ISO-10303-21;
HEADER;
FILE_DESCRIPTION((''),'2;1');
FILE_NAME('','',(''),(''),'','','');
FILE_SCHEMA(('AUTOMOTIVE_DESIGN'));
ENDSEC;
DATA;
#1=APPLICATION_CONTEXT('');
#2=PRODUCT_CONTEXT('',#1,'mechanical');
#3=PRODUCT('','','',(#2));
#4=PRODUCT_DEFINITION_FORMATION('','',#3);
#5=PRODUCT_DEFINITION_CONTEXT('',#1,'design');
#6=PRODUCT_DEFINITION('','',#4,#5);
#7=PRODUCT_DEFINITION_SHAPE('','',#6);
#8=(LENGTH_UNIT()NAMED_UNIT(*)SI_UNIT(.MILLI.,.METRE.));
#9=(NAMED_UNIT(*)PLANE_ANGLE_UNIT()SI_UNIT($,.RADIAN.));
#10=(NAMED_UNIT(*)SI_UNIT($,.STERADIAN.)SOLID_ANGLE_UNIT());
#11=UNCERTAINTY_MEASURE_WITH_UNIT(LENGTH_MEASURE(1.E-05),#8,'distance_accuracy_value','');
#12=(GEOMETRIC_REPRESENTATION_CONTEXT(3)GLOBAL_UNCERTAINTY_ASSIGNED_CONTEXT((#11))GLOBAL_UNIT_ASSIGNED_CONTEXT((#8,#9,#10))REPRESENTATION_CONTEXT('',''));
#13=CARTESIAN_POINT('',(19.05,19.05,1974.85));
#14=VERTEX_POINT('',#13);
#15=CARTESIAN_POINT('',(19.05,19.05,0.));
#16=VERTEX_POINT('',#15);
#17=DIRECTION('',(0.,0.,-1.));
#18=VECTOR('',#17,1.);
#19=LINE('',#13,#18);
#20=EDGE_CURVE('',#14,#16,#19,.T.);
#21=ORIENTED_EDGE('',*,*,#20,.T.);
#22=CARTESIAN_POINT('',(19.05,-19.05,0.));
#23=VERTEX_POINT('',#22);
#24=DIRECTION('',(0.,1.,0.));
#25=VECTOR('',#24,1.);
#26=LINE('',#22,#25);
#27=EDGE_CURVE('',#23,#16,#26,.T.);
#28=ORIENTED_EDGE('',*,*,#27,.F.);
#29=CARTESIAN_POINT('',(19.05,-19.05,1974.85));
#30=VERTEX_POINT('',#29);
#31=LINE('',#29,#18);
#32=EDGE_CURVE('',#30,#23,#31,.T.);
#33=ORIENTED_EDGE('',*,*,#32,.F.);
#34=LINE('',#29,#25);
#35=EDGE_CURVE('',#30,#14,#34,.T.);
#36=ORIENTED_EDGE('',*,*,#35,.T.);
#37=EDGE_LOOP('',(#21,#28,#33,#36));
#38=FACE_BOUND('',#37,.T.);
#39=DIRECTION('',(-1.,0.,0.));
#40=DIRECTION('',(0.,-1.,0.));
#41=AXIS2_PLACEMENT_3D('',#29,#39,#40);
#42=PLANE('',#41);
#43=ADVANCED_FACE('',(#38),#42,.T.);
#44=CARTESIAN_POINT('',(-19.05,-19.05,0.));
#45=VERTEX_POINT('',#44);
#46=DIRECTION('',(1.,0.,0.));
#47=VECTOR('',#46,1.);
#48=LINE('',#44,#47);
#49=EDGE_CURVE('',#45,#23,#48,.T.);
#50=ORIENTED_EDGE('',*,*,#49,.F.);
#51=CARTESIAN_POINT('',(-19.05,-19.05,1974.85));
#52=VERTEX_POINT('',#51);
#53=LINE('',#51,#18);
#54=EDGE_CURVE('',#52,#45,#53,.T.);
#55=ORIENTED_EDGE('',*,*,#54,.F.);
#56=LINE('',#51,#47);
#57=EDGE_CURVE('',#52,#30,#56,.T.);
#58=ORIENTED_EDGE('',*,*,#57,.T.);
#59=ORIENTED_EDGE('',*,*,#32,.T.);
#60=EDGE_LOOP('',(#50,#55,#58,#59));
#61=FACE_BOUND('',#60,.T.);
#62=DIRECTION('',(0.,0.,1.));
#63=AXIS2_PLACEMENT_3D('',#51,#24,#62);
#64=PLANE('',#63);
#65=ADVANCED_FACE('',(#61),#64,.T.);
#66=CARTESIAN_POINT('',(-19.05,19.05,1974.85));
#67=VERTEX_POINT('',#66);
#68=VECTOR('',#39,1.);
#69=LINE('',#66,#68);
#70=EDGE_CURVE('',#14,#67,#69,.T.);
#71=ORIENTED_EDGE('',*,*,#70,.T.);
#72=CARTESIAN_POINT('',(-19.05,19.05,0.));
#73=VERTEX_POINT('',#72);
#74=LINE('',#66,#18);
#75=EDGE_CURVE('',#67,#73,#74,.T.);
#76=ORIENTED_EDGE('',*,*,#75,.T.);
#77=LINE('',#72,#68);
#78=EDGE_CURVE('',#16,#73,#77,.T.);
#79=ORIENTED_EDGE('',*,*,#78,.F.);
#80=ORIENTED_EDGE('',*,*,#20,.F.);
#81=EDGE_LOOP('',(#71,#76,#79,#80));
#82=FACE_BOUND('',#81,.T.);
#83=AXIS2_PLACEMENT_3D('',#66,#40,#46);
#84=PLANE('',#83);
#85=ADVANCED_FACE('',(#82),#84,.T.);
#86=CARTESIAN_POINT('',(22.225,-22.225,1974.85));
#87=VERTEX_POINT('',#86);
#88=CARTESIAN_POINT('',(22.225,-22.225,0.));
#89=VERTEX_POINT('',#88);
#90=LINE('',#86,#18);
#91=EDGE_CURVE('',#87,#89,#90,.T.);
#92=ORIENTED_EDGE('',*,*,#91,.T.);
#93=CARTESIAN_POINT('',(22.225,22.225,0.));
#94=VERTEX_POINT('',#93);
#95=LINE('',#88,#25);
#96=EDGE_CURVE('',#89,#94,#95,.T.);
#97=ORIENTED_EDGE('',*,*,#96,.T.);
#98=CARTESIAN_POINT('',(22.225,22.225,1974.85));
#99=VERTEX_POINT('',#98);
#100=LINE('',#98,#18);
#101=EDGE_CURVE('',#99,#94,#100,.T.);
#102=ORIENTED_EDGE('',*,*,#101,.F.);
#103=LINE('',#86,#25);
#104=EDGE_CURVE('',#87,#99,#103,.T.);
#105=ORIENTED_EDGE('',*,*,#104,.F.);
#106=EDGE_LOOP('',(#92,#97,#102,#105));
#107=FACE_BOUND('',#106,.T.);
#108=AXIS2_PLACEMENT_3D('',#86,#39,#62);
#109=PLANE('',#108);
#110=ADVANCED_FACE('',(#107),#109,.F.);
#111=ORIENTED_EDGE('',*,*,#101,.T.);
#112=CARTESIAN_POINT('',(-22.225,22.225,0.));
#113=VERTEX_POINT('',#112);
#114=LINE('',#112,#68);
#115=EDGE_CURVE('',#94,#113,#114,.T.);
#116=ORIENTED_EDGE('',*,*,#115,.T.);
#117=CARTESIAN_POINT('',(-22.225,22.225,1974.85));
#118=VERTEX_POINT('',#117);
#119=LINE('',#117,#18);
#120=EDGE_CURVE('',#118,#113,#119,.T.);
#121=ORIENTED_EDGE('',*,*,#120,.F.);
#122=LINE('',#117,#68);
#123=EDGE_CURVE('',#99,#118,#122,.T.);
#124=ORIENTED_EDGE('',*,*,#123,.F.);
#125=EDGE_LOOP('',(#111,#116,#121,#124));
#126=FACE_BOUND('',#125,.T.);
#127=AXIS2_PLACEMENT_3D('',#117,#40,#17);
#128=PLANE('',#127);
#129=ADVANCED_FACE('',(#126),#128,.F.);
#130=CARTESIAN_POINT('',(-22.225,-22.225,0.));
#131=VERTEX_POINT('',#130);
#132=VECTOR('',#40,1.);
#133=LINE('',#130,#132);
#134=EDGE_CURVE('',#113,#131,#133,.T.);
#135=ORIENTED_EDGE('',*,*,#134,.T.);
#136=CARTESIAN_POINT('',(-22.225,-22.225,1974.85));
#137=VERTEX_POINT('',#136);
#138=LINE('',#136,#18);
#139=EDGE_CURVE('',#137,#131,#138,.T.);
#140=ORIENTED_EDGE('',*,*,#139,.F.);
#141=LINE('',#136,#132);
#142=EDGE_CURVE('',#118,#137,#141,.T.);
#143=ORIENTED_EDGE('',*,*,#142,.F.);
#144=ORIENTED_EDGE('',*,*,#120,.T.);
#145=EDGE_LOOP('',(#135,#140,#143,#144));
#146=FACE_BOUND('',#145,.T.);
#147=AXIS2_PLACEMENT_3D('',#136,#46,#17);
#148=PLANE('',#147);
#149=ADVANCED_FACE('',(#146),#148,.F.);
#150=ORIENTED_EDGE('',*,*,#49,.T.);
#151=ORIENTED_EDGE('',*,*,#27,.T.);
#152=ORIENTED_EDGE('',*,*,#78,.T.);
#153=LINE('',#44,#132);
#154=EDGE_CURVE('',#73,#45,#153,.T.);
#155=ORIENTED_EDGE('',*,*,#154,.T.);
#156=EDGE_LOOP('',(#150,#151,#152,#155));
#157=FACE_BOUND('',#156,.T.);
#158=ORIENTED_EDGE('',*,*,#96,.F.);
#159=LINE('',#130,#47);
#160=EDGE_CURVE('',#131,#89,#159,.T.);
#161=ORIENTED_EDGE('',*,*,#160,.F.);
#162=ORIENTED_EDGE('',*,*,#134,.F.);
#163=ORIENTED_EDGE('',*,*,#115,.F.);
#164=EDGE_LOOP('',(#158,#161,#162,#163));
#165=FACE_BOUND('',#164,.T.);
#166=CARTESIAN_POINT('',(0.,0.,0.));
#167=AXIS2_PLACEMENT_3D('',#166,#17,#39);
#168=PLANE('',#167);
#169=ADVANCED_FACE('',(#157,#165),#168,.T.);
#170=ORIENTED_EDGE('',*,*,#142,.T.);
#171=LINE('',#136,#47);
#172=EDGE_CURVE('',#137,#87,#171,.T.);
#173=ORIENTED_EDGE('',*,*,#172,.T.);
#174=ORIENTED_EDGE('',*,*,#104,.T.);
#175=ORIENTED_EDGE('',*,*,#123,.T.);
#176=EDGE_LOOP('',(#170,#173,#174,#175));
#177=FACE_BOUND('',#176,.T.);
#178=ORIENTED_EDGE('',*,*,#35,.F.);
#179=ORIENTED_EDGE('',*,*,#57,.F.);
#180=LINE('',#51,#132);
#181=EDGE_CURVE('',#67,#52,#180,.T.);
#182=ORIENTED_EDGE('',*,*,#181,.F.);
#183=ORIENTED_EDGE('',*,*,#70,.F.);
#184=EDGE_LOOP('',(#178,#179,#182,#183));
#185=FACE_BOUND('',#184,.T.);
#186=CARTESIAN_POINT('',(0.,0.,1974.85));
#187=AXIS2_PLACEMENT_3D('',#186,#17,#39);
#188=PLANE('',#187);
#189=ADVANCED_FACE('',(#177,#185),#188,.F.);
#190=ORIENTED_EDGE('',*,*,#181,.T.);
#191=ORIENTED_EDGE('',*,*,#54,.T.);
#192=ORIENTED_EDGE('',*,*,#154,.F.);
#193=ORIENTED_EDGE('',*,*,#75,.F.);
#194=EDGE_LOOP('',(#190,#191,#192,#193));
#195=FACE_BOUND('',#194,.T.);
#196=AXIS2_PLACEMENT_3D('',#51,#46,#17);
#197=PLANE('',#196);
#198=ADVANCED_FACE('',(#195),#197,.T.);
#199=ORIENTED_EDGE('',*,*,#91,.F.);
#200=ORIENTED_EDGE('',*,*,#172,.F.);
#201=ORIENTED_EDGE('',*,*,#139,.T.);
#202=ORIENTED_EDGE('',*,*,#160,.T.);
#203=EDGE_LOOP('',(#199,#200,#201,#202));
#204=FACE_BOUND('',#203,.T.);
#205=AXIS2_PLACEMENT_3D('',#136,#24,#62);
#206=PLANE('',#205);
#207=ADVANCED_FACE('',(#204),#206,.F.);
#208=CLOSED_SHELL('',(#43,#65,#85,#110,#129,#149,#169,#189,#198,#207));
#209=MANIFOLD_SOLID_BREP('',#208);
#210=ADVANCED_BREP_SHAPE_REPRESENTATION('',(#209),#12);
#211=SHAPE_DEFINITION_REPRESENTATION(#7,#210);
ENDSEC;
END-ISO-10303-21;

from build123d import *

# Parameters (mm, degrees)
SKETCH1_W           = 44.45
SKETCH1_H           = 44.45
SKETCH1_W_2         = 38.1
SKETCH1_H_2         = 38.1
BOSS_EXTRUDE1_DEPTH = 1974.85


with BuildPart() as part:
    # Sketch1 → Boss-Extrude1 (new body)
    with BuildSketch(Plane.XY):
        Rectangle(SKETCH1_W, SKETCH1_H)
        Rectangle(SKETCH1_W_2, SKETCH1_H_2, mode=Mode.SUBTRACT)
    extrude(amount=BOSS_EXTRUDE1_DEPTH)


solid = part.part
